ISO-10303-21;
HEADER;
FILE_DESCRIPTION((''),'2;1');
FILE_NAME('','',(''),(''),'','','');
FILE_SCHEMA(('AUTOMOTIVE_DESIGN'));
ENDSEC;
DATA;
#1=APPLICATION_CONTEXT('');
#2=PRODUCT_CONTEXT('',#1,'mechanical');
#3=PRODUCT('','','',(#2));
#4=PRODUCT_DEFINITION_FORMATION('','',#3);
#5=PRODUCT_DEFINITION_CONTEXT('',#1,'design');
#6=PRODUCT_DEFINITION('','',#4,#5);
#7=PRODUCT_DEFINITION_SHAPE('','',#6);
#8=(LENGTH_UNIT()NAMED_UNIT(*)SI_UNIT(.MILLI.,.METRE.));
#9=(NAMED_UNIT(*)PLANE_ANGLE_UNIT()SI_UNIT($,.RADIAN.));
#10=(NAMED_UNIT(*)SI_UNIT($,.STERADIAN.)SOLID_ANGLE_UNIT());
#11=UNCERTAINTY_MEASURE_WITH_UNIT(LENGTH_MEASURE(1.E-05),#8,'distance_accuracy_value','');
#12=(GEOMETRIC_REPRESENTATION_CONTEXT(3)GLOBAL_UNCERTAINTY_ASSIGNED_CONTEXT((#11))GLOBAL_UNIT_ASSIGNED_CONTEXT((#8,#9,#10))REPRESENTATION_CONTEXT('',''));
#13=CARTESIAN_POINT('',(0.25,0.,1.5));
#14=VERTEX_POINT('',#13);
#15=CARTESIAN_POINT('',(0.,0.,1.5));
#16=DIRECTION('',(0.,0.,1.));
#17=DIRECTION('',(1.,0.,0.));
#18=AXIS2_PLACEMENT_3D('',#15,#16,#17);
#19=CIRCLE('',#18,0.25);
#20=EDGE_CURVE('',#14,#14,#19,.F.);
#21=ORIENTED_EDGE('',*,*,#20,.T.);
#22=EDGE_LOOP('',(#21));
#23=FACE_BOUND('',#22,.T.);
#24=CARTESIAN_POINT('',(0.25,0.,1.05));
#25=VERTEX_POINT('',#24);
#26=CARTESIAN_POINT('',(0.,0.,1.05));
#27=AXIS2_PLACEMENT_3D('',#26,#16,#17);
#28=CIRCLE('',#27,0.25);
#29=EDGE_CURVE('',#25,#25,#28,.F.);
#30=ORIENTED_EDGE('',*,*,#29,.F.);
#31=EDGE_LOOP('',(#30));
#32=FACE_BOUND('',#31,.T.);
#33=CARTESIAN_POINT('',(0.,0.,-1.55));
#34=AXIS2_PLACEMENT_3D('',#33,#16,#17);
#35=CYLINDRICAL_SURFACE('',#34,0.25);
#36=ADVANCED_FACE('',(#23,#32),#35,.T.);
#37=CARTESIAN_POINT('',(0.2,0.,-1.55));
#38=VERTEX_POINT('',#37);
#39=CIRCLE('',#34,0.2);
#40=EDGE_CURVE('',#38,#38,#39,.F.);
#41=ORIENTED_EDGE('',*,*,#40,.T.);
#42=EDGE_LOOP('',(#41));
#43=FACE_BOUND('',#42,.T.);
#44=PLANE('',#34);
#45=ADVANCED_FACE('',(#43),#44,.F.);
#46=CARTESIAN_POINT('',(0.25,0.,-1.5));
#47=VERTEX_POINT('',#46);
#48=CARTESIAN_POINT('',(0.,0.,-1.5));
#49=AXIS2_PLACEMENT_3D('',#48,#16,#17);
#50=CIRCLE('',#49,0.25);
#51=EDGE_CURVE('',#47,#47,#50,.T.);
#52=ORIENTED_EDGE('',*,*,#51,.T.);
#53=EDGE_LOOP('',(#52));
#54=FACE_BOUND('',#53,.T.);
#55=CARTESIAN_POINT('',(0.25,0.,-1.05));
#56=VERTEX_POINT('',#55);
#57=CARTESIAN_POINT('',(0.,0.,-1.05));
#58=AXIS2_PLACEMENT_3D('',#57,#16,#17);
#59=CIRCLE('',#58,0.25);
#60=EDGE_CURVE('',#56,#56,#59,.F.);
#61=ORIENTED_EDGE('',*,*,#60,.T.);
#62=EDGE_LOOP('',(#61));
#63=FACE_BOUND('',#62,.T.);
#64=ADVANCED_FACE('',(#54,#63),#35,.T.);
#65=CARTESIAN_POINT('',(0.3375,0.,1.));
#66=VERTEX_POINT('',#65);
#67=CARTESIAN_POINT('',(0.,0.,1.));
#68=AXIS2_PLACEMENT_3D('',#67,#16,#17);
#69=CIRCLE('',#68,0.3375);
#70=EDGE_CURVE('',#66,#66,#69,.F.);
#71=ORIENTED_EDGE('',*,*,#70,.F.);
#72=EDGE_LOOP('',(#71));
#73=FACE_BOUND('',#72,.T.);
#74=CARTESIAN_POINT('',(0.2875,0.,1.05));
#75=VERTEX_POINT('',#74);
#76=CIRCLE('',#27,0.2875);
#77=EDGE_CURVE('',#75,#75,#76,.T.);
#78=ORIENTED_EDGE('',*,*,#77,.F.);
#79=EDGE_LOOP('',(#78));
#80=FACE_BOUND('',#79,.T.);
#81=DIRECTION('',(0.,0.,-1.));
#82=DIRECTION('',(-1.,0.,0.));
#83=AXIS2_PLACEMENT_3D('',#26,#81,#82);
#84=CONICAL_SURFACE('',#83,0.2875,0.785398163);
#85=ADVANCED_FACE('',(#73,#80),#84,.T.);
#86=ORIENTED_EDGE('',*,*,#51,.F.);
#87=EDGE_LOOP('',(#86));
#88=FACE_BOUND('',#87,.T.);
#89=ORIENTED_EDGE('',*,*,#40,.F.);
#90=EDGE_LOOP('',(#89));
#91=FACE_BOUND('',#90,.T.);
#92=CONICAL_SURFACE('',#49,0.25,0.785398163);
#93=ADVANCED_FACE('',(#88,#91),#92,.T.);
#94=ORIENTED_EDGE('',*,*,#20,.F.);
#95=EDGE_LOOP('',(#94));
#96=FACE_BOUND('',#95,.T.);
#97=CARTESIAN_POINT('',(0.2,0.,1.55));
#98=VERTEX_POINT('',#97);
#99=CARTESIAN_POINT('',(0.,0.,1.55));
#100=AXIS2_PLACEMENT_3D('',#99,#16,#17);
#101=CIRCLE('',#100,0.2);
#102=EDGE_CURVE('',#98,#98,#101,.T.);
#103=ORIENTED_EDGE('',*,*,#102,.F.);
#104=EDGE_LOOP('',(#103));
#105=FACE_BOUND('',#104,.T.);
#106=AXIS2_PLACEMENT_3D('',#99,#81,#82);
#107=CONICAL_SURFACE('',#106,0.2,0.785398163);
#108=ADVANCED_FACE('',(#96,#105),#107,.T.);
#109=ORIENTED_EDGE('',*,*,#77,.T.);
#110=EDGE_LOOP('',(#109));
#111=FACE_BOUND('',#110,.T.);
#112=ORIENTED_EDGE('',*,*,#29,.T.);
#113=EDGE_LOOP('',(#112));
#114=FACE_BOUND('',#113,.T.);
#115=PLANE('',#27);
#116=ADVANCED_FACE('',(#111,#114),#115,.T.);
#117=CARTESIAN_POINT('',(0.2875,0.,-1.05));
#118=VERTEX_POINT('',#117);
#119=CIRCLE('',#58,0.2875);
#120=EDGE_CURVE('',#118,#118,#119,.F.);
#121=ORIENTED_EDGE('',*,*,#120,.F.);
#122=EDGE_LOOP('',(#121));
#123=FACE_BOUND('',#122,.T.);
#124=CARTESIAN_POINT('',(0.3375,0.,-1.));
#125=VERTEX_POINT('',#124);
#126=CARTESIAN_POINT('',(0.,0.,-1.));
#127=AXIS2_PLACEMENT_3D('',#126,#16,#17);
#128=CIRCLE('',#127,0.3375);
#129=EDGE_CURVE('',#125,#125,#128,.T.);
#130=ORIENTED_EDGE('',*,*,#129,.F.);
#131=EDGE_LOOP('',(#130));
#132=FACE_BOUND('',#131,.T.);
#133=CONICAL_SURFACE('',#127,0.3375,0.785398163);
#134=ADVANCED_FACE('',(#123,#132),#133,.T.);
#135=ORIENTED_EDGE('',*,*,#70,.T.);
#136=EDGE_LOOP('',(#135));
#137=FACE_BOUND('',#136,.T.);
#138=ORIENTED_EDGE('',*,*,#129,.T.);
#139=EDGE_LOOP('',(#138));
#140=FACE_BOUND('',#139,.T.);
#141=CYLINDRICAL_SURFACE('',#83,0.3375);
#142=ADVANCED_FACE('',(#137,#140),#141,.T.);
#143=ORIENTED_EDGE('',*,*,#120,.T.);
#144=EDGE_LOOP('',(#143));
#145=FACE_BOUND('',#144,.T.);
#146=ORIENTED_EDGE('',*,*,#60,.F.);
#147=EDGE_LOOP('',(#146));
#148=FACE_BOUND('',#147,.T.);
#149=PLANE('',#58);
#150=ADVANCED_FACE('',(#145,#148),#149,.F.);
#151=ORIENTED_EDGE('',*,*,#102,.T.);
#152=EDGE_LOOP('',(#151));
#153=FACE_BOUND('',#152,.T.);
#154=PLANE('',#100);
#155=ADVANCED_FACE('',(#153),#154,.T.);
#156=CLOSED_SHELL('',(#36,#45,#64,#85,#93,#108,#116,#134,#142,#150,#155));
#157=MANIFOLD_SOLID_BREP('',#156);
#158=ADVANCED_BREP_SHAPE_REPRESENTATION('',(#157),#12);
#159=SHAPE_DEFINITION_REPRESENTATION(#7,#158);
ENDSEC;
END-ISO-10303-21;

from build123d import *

# Parameters (mm, degrees)
SKETCH1_R           = 0.25
BOSS_EXTRUDE1_DEPTH = 1.55
SKETCH3_R           = 0.3375
BOSS_EXTRUDE2_DEPTH = 1.05
CHAMFER1_SIZE       = 0.05


with BuildPart() as part:
    # Sketch1 → Boss-Extrude1 (new body, symmetric)
    with BuildSketch(Plane.XY):
        Circle(SKETCH1_R)
    extrude(amount=BOSS_EXTRUDE1_DEPTH, both=True)

    # Sketch3 → Boss-Extrude2 (add, symmetric)
    with BuildSketch(Plane.XY):
        Circle(SKETCH3_R)
    extrude(amount=BOSS_EXTRUDE2_DEPTH, both=True)

    # Chamfer1
    chamfer1_edges = [part.edges().sort_by_distance(p)[0] for p in [
        (-0.25, 0, 1.55),
        (-0.25, 0, -1.55),
        (-0.3375, 0, -1.05),
        (-0.3375, 0, 1.05),
    ]]
    chamfer(chamfer1_edges, length=CHAMFER1_SIZE)


solid = part.part
